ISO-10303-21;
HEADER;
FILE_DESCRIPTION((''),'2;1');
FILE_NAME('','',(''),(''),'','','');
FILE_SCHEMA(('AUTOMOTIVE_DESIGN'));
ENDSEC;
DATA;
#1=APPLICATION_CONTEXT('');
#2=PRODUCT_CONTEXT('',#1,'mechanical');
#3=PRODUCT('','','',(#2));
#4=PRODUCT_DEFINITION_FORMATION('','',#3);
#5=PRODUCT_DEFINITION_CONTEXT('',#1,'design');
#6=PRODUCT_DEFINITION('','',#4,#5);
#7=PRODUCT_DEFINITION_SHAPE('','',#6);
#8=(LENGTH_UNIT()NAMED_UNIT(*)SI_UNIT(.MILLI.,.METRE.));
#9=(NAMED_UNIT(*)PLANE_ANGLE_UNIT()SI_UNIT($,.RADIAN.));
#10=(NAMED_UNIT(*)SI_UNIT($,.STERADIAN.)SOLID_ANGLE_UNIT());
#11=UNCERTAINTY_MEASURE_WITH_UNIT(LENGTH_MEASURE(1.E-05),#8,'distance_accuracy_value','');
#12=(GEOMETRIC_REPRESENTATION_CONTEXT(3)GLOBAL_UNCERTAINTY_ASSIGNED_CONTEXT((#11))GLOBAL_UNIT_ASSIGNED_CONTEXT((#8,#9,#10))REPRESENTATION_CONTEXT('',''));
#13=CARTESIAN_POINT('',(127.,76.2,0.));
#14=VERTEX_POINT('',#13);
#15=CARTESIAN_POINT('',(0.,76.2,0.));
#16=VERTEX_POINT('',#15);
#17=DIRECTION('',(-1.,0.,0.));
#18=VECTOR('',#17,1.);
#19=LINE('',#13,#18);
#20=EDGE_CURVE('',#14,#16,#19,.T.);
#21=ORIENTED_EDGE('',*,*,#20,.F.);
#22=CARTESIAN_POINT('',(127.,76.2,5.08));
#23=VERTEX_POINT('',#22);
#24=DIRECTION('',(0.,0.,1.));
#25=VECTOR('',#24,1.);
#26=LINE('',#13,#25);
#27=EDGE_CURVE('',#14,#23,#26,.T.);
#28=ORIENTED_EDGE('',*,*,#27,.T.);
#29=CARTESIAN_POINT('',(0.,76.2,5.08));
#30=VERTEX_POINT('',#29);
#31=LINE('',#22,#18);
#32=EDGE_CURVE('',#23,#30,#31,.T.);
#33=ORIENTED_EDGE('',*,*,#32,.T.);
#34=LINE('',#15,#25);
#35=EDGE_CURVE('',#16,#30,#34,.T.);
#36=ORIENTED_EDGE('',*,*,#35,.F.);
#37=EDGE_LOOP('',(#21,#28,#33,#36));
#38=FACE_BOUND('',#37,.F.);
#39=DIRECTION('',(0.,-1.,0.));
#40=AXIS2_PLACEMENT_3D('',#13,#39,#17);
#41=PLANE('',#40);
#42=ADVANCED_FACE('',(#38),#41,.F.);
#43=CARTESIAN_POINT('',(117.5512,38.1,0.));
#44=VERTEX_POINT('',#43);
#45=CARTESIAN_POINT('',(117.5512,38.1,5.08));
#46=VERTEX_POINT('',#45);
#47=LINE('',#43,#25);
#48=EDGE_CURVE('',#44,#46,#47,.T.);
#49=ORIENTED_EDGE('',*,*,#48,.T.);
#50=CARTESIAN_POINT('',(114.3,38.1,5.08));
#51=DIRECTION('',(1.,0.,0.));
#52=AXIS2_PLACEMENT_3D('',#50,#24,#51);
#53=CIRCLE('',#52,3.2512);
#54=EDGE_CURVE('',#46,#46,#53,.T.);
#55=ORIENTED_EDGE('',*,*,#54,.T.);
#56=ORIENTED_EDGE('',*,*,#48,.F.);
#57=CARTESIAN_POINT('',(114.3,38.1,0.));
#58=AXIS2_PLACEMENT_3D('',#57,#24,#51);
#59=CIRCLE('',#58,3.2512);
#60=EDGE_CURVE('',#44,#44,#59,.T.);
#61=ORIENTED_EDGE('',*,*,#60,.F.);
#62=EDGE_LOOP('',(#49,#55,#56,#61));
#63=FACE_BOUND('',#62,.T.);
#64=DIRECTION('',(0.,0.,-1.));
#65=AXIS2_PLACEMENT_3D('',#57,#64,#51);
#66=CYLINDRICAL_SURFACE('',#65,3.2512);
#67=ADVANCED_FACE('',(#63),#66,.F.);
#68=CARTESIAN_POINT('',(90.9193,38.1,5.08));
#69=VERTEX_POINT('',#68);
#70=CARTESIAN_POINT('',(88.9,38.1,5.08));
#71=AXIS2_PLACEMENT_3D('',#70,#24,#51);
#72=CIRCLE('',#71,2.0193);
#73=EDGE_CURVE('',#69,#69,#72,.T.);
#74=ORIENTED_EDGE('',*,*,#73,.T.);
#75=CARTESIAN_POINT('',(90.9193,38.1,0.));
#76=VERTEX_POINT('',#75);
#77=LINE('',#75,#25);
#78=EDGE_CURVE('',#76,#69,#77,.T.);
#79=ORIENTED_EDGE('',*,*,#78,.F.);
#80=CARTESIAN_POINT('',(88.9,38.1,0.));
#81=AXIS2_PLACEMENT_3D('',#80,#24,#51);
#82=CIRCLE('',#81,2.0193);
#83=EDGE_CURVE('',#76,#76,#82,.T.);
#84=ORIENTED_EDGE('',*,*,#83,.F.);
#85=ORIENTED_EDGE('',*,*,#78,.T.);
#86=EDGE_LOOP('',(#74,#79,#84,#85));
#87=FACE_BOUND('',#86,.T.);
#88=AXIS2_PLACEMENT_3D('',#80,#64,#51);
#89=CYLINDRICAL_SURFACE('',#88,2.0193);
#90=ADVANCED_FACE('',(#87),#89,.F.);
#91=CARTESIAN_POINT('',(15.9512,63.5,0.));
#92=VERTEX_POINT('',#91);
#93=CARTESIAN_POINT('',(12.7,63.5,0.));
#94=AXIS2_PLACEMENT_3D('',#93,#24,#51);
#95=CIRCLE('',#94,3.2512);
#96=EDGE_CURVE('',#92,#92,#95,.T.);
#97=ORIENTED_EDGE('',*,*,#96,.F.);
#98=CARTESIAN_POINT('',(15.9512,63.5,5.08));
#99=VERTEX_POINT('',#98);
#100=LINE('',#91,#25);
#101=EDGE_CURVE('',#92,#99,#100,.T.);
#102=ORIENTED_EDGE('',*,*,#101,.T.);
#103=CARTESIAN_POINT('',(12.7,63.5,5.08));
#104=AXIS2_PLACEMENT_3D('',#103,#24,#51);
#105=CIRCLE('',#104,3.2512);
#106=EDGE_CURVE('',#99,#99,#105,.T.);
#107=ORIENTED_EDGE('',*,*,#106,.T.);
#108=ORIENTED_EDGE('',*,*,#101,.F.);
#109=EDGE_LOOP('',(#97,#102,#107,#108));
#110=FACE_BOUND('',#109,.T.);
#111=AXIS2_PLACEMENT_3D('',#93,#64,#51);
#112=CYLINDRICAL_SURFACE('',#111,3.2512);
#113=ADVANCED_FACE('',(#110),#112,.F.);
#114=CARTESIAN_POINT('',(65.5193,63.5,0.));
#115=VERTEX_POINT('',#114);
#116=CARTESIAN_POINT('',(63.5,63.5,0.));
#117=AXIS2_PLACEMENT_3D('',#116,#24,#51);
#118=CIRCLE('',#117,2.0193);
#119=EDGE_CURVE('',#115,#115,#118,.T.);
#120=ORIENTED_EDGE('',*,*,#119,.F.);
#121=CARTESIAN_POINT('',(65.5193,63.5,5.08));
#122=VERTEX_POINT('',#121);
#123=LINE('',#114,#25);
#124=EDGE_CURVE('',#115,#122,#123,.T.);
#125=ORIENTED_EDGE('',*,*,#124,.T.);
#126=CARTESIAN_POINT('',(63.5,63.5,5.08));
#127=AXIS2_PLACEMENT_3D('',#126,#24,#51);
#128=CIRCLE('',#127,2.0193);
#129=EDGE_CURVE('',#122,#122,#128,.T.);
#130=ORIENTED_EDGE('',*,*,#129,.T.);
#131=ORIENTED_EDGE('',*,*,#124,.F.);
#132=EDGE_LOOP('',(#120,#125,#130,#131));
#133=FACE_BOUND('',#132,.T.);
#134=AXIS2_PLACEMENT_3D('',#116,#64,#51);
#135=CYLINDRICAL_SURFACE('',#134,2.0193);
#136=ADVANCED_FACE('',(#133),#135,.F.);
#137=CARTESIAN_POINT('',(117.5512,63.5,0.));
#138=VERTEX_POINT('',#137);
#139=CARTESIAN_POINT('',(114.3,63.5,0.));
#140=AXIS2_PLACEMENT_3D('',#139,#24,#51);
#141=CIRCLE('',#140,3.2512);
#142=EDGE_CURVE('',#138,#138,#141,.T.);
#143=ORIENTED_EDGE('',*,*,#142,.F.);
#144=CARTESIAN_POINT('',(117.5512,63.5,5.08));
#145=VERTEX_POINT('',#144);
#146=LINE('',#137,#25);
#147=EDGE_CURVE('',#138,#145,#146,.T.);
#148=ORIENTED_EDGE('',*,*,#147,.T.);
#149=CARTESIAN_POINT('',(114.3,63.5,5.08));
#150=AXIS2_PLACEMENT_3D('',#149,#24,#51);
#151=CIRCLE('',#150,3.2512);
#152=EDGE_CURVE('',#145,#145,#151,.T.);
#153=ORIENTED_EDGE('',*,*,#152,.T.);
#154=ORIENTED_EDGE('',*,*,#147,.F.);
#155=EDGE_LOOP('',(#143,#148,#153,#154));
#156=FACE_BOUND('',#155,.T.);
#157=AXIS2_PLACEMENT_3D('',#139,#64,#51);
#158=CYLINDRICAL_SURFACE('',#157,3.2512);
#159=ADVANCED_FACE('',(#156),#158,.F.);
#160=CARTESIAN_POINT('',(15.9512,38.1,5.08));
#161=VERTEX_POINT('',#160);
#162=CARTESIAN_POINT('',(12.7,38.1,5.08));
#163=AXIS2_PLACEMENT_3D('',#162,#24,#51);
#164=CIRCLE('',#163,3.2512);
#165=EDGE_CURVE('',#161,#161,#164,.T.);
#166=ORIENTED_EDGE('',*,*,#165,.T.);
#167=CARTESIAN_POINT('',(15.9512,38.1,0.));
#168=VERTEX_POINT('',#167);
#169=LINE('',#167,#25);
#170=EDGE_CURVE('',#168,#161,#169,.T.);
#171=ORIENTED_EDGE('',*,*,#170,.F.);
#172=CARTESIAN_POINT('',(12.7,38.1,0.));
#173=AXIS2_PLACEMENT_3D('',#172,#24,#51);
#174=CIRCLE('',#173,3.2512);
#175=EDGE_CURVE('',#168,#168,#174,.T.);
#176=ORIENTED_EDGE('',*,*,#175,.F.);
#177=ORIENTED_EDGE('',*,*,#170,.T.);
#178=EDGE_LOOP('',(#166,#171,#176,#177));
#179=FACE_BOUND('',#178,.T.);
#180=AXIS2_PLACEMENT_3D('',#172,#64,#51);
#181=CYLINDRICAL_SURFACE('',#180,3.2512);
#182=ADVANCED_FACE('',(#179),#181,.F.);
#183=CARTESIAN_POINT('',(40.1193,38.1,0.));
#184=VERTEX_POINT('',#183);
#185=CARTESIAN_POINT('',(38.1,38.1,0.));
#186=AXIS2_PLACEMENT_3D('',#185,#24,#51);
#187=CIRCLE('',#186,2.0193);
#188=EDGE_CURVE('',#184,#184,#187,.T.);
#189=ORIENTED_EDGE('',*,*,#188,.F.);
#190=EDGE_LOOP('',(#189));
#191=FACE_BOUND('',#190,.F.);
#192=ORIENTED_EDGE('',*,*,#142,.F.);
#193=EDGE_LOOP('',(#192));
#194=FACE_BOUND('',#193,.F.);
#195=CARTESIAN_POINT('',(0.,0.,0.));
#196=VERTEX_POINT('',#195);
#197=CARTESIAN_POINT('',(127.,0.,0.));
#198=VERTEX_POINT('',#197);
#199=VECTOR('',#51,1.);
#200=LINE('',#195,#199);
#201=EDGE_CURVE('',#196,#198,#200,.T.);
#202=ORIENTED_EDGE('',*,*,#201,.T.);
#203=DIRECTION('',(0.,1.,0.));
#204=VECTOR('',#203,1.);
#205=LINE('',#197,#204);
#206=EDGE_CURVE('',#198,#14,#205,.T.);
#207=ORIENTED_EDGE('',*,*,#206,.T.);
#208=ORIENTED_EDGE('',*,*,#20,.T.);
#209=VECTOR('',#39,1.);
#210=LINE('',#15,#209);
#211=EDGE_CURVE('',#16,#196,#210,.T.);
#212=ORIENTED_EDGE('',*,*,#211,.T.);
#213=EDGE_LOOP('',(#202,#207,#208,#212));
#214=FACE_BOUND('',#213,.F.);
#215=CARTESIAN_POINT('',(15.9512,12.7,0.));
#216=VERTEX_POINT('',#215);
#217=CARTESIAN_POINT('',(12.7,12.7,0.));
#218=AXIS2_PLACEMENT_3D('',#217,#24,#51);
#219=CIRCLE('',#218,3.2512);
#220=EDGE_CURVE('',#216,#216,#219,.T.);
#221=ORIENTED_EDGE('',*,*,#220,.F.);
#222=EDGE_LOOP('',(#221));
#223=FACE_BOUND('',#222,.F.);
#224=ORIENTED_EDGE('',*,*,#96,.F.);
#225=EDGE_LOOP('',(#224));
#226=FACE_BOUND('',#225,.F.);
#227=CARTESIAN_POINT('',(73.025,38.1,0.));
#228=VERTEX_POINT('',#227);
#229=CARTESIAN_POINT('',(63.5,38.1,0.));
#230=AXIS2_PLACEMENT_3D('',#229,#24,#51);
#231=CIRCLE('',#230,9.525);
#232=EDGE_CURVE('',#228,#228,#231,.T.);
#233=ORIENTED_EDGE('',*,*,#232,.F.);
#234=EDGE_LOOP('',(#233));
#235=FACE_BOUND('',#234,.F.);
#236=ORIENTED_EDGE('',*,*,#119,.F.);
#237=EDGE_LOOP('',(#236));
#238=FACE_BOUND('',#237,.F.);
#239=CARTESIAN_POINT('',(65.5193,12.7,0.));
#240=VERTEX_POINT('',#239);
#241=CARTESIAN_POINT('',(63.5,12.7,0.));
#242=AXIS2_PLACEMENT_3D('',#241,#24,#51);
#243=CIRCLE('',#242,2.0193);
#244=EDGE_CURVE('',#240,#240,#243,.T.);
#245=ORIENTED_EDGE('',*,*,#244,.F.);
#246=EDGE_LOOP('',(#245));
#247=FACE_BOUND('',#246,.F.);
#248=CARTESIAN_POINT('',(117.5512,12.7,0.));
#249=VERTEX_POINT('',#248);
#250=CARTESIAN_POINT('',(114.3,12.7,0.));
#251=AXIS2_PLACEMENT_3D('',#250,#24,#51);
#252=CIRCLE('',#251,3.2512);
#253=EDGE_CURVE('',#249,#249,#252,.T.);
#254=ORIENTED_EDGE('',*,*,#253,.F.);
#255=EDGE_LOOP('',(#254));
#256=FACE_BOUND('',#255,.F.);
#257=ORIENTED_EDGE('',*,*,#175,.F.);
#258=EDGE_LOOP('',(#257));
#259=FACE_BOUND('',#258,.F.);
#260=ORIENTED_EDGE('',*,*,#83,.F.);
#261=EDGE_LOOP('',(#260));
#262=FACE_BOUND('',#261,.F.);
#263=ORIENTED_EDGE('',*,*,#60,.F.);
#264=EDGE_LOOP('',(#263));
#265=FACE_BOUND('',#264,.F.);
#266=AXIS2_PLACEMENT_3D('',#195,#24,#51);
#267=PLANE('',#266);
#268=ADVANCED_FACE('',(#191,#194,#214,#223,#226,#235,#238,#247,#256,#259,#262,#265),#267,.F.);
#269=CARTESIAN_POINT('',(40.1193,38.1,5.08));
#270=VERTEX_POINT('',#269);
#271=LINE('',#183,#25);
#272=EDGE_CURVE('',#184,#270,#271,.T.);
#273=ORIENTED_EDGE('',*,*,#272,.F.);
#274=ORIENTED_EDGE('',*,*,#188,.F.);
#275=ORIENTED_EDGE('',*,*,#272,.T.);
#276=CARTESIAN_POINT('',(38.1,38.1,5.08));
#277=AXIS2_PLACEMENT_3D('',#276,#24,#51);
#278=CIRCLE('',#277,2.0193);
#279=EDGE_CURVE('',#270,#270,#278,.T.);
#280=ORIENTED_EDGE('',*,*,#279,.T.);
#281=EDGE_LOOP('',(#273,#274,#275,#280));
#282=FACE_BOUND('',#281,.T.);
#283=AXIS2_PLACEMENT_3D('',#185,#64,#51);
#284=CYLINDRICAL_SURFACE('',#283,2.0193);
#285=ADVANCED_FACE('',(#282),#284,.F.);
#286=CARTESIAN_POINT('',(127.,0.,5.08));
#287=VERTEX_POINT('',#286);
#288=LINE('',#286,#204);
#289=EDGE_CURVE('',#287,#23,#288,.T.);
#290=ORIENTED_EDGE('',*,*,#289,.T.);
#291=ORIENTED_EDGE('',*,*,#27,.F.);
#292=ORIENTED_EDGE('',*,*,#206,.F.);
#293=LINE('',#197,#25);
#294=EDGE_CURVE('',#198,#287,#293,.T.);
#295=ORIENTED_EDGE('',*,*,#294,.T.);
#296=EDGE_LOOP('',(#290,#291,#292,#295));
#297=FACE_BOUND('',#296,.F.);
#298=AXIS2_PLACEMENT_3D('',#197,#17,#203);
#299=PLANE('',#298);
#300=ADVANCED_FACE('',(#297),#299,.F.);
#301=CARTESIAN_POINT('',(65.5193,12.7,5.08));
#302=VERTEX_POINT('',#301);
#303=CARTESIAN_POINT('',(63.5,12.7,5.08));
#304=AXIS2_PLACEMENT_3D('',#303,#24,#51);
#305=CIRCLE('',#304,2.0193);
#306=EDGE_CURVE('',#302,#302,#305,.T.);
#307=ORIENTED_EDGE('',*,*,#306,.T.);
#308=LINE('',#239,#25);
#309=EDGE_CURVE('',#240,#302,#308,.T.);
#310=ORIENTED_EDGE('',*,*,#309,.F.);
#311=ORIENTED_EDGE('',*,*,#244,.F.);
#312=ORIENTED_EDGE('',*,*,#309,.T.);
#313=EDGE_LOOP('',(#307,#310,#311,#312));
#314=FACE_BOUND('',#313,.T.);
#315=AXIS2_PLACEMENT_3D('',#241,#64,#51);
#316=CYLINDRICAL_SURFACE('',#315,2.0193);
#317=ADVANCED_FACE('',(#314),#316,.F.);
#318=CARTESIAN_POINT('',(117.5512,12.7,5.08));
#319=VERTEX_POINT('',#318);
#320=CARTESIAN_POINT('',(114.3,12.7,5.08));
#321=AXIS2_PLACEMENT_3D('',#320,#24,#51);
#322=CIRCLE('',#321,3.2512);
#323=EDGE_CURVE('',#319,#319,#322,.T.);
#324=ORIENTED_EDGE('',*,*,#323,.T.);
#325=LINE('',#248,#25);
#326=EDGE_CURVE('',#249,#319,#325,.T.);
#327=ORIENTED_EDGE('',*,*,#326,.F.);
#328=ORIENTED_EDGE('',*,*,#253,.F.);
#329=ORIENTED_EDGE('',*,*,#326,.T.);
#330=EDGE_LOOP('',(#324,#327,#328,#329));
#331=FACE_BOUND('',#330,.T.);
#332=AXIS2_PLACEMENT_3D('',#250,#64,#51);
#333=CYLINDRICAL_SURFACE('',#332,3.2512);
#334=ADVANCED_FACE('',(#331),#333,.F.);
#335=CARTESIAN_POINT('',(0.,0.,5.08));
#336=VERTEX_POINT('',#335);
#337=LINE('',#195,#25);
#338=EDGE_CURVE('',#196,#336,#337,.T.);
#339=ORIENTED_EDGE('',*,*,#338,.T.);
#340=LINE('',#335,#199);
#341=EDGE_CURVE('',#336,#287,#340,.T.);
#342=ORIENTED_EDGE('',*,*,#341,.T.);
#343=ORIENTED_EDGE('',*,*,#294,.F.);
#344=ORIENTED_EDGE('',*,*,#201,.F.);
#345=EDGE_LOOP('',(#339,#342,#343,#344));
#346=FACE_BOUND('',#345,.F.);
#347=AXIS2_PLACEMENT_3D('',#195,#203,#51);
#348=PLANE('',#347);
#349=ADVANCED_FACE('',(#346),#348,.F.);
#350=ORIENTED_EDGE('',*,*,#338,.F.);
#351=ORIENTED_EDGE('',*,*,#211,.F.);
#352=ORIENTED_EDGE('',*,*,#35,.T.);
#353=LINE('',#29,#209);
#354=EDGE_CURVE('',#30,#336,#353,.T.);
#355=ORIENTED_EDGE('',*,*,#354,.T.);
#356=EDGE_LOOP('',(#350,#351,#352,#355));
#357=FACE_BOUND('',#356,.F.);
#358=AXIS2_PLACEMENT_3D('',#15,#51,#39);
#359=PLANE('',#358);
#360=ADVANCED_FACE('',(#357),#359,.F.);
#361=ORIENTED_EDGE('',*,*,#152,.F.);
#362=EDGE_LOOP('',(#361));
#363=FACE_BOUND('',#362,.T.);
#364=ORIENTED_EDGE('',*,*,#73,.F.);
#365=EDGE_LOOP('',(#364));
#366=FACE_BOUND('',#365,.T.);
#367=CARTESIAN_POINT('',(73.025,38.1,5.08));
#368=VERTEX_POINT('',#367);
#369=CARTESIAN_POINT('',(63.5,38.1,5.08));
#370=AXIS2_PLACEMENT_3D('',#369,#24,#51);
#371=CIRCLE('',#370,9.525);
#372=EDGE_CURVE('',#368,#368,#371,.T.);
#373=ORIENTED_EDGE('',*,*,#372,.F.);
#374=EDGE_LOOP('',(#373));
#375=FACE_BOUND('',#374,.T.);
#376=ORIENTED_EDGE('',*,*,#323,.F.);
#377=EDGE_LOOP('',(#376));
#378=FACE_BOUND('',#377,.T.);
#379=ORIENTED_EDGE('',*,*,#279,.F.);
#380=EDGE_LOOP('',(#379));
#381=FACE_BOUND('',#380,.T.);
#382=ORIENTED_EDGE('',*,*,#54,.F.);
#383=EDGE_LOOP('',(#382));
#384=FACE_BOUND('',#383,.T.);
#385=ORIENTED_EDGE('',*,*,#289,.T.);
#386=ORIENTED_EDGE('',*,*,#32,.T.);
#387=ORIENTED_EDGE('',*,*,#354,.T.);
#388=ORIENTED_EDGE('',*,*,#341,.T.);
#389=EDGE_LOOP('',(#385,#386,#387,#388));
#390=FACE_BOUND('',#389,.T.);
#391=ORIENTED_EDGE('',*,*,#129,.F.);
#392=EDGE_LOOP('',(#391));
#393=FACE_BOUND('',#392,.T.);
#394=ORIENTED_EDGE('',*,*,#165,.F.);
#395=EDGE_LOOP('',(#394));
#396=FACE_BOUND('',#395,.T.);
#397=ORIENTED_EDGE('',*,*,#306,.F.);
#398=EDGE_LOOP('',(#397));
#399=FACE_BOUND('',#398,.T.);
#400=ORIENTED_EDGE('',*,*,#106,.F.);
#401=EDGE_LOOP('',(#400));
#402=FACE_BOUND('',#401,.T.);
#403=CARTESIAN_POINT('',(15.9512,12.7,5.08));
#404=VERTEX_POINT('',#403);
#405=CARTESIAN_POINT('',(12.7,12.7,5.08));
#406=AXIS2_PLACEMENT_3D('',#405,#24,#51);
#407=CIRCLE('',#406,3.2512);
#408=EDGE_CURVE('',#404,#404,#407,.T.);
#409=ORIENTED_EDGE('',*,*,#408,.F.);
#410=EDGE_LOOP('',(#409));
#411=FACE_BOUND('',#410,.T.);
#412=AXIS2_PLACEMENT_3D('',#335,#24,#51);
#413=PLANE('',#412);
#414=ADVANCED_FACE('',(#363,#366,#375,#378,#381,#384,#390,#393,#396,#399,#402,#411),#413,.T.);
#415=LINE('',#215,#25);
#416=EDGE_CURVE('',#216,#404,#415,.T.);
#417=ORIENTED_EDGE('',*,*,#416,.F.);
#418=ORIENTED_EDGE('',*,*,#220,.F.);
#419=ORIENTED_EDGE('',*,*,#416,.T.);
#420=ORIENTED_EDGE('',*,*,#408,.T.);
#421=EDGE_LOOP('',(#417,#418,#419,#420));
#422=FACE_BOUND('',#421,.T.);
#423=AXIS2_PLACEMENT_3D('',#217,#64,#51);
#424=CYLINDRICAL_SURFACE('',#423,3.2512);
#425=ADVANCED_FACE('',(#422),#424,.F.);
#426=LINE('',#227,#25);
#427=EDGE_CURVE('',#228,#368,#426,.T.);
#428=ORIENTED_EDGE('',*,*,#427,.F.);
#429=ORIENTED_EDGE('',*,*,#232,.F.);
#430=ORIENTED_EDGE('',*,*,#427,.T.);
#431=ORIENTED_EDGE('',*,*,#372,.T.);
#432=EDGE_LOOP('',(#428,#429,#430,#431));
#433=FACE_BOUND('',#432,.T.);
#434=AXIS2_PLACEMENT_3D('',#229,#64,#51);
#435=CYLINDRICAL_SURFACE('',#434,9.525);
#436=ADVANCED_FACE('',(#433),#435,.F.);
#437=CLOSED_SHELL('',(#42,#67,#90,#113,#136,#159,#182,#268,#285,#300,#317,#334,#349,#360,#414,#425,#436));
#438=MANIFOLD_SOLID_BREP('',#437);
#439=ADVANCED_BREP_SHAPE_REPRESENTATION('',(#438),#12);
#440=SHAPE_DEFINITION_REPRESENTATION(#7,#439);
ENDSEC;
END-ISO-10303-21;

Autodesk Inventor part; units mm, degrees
ref_plane "YZ Plane" through (0, 0, 0) normal (1, 0, 0) x (0, 1, 0)
ref_plane "XZ Plane" through (0, 0, 0) normal (0, 1, 0) x (-1, 0, 0)
ref_plane "XY Plane" through (0, 0, 0) normal (0, 0, 1) x (1, 0, 0)
sketch "Sketch1" plane through (0, 0, 0) normal (0, 0, 1) x (1, 0, 0)
  line L0 (0, 0) -> (127, 0)
  line L1 (127, 0) -> (127, 76.2)
  line L2 (127, 76.2) -> (0, 76.2)
  line L3 (0, 76.2) -> (0, 0)
  circle A0 centre (63.5, 38.1) radius 9.525
  circle A1 centre (63.5, 63.5) radius 2.0193
  circle A2 centre (38.1, 38.1) radius 2.0193
  circle A3 centre (63.5, 12.7) radius 2.0193
  circle A4 centre (88.9, 38.1) radius 2.0193
  circle A5 centre (12.7, 63.5) radius 3.2512
  circle A6 centre (12.7, 38.1) radius 3.2512
  circle A7 centre (12.7, 12.7) radius 3.2512
  circle A8 centre (114.3, 63.5) radius 3.2512
  circle A9 centre (114.3, 38.1) radius 3.2512
  circle A10 centre (114.3, 12.7) radius 3.2512
  dimension "d0" = 127
  dimension "d1" = 76.2
  dimension "d2" = 19.05
  dimension "d3" = 38.1
  dimension "d4" = 63.5
  dimension "d5" = 4.0386
  dimension "d6" = 25.4
  dimension "d7" = 63.5
  dimension "d8" = 4.0386
  dimension "d9" = 25.4
  dimension "d10" = 38.1
  dimension "d13" = 50.8
  dimension "d20" = 50.8
  dimension "d25" = 6.5024
  dimension "d26" = 12.7
  dimension "d27" = 12.7
  dimension "d30" = 25.4
  dimension "d39" = 101.6
extrude "Extrusion2" add sketch "Sketch1" along normal blind 5.08
equation "\"d3\" = 0.5 * d1"
equation "\"d7\" = d4"
equation "\"d8\" = d5"
equation "\"d9\" = d6"
equation "\"d10\" = 0.5 * d1"
properties part number "Motor Mount Short"
